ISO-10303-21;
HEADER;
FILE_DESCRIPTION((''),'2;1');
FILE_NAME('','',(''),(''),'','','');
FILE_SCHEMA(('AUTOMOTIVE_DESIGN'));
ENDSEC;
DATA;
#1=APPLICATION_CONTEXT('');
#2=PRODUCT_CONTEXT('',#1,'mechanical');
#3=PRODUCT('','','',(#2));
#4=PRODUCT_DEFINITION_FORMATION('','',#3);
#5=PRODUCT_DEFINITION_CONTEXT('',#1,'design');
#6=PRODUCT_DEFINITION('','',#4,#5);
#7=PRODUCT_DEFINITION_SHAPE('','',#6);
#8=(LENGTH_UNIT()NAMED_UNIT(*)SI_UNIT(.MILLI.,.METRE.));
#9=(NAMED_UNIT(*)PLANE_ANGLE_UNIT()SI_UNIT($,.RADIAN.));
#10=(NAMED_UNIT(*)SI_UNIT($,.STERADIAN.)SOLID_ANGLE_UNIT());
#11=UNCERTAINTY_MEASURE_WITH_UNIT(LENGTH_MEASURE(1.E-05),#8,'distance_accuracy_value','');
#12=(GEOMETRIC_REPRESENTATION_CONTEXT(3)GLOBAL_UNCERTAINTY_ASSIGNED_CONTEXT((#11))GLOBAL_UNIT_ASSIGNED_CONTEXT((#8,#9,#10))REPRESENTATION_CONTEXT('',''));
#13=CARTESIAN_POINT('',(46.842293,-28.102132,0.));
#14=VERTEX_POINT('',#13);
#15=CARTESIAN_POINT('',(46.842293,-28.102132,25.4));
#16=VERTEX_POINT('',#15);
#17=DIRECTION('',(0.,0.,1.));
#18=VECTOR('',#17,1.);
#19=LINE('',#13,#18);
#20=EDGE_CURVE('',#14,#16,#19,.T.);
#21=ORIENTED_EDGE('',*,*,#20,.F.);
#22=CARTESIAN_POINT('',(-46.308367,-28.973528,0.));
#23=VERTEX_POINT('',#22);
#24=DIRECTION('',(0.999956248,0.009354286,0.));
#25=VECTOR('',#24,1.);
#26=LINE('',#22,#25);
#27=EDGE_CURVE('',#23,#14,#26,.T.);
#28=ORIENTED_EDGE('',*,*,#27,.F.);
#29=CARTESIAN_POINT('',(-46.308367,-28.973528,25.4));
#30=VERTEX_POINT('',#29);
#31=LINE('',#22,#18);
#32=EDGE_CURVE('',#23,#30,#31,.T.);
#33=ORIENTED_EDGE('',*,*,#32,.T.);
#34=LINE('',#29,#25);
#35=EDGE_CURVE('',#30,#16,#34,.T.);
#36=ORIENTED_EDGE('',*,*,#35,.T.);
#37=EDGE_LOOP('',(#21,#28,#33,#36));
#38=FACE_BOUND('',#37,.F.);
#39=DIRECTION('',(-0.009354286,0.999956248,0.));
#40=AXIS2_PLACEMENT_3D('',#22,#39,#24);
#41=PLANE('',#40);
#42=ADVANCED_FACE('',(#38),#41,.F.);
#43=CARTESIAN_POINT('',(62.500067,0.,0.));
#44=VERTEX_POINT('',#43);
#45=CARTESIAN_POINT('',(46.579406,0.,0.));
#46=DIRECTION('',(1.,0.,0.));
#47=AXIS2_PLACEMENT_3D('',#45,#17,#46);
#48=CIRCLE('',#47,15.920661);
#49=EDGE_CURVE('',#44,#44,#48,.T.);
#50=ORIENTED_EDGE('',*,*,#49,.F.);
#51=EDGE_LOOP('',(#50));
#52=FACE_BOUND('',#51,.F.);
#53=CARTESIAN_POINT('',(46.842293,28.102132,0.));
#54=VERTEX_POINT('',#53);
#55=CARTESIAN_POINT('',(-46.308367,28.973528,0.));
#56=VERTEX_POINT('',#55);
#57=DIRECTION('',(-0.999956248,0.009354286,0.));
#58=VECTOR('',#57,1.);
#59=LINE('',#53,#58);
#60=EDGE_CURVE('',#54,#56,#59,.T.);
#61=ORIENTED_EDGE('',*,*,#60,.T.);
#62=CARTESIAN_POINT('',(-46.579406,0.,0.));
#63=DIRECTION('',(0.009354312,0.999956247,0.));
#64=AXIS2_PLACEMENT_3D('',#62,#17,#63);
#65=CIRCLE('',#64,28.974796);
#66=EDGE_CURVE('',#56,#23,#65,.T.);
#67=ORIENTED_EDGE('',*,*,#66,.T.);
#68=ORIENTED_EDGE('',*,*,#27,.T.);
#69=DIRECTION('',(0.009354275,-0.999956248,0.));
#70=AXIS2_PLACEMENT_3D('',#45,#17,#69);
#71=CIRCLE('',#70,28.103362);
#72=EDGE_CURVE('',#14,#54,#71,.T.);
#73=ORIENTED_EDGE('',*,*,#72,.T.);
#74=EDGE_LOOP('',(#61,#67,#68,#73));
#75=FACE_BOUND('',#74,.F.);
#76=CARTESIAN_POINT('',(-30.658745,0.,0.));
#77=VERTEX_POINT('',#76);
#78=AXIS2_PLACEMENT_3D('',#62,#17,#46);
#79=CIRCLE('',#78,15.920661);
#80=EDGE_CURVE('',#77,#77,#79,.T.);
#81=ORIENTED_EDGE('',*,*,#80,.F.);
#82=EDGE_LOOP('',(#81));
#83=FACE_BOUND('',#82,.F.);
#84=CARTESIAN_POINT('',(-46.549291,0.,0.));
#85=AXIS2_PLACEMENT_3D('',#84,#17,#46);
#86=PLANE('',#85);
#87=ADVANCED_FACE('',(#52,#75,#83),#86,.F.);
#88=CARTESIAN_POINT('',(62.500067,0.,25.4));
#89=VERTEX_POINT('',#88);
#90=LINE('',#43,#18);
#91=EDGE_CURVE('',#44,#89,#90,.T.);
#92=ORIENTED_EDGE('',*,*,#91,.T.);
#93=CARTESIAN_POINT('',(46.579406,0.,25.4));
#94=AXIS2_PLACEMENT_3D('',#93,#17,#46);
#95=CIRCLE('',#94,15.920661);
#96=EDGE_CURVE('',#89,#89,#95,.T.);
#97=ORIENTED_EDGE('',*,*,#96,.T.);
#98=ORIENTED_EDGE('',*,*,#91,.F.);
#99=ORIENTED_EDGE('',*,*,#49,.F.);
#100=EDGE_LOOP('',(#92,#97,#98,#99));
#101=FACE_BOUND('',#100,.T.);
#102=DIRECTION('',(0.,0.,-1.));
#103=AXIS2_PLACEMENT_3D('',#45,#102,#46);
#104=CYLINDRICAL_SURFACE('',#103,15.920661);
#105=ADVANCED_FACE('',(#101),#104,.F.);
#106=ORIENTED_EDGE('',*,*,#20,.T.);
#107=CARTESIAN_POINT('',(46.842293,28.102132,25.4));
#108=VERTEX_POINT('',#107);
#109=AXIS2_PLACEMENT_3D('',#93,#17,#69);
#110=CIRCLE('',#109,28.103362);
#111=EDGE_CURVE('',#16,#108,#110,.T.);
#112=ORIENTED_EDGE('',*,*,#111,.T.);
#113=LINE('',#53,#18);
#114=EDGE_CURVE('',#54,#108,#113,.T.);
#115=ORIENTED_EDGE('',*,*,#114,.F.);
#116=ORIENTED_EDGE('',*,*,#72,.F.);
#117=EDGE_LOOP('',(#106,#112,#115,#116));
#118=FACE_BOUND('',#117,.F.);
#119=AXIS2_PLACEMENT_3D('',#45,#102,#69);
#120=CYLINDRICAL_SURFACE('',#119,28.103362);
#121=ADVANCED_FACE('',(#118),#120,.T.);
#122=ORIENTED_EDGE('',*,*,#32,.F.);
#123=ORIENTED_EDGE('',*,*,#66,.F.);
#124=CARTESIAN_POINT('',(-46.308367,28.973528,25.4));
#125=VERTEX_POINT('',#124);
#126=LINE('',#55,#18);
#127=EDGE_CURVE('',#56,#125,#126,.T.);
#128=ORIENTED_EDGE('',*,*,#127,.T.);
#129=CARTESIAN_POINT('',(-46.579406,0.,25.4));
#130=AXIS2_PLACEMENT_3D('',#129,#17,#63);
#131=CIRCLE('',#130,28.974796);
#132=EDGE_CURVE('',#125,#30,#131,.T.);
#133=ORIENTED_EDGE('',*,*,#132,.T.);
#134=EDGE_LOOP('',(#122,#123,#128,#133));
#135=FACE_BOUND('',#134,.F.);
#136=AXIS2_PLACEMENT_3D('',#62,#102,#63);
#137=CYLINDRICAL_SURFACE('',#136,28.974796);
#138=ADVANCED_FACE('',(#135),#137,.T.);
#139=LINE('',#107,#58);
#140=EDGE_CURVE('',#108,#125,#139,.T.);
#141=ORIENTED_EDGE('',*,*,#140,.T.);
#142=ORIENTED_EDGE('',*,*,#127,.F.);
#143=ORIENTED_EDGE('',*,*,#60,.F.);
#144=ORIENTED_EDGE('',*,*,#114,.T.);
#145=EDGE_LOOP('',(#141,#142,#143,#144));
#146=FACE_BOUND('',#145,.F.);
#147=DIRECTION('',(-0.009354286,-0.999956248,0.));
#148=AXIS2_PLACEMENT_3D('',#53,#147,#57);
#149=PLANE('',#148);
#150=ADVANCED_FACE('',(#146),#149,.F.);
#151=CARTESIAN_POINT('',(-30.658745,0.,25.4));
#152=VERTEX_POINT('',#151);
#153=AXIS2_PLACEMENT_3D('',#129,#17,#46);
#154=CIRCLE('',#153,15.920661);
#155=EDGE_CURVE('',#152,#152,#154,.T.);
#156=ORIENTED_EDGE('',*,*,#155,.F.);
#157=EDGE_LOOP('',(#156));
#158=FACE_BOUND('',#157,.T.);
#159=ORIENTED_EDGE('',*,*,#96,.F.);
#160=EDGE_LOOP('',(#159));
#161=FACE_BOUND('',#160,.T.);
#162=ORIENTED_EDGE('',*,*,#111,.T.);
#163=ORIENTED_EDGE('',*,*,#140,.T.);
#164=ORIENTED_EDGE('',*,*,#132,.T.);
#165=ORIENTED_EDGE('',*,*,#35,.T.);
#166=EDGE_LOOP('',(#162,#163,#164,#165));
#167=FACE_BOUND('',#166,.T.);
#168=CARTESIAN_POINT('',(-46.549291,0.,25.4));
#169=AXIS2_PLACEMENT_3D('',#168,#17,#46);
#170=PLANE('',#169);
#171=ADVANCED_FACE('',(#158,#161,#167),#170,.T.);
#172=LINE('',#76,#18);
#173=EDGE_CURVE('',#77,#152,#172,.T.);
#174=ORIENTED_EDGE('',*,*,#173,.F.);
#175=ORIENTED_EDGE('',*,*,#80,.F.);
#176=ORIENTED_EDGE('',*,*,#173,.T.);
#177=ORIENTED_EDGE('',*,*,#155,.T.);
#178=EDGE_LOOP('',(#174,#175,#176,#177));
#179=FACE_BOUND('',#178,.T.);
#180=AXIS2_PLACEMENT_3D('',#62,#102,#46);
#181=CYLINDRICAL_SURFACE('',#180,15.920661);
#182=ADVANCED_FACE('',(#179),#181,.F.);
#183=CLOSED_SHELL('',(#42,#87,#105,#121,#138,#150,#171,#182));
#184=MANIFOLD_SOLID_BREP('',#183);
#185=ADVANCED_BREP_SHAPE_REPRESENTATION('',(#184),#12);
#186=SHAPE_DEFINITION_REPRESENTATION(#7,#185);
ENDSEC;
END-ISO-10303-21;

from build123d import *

# Parameters (mm, degrees)
F0_R     = 15.920661
F1_DEPTH = 25.4


with BuildPart() as f1:
    # F0 (on Top) → F1 (new body)
    with BuildSketch(Plane.XY):
        with BuildLine():
            ThreePointArc((-46.308367, -28.973528), (-17.604609, 0), (-46.308367, 28.973528))
            ThreePointArc((-46.308367, 28.973528), (-75.554202, 0), (-46.308367, -28.973528))
        make_face()
        with Locations((-46.579406, 0)):
            Circle(F0_R, mode=Mode.SUBTRACT)
        with BuildLine():
            Line((46.842293, 28.102132), (-46.308367, 28.973528))
            ThreePointArc((-46.308367, 28.973528), (-17.604609, 0), (-46.308367, -28.973528))
            Line((-46.308367, -28.973528), (46.842293, -28.102132))
            ThreePointArc((46.842293, -28.102132), (74.682768, 0), (46.842293, 28.102132))
        make_face()
        with Locations((46.579406, 0)):
            Circle(F0_R, mode=Mode.SUBTRACT)
    extrude(amount=F1_DEPTH)


solid = f1.part
